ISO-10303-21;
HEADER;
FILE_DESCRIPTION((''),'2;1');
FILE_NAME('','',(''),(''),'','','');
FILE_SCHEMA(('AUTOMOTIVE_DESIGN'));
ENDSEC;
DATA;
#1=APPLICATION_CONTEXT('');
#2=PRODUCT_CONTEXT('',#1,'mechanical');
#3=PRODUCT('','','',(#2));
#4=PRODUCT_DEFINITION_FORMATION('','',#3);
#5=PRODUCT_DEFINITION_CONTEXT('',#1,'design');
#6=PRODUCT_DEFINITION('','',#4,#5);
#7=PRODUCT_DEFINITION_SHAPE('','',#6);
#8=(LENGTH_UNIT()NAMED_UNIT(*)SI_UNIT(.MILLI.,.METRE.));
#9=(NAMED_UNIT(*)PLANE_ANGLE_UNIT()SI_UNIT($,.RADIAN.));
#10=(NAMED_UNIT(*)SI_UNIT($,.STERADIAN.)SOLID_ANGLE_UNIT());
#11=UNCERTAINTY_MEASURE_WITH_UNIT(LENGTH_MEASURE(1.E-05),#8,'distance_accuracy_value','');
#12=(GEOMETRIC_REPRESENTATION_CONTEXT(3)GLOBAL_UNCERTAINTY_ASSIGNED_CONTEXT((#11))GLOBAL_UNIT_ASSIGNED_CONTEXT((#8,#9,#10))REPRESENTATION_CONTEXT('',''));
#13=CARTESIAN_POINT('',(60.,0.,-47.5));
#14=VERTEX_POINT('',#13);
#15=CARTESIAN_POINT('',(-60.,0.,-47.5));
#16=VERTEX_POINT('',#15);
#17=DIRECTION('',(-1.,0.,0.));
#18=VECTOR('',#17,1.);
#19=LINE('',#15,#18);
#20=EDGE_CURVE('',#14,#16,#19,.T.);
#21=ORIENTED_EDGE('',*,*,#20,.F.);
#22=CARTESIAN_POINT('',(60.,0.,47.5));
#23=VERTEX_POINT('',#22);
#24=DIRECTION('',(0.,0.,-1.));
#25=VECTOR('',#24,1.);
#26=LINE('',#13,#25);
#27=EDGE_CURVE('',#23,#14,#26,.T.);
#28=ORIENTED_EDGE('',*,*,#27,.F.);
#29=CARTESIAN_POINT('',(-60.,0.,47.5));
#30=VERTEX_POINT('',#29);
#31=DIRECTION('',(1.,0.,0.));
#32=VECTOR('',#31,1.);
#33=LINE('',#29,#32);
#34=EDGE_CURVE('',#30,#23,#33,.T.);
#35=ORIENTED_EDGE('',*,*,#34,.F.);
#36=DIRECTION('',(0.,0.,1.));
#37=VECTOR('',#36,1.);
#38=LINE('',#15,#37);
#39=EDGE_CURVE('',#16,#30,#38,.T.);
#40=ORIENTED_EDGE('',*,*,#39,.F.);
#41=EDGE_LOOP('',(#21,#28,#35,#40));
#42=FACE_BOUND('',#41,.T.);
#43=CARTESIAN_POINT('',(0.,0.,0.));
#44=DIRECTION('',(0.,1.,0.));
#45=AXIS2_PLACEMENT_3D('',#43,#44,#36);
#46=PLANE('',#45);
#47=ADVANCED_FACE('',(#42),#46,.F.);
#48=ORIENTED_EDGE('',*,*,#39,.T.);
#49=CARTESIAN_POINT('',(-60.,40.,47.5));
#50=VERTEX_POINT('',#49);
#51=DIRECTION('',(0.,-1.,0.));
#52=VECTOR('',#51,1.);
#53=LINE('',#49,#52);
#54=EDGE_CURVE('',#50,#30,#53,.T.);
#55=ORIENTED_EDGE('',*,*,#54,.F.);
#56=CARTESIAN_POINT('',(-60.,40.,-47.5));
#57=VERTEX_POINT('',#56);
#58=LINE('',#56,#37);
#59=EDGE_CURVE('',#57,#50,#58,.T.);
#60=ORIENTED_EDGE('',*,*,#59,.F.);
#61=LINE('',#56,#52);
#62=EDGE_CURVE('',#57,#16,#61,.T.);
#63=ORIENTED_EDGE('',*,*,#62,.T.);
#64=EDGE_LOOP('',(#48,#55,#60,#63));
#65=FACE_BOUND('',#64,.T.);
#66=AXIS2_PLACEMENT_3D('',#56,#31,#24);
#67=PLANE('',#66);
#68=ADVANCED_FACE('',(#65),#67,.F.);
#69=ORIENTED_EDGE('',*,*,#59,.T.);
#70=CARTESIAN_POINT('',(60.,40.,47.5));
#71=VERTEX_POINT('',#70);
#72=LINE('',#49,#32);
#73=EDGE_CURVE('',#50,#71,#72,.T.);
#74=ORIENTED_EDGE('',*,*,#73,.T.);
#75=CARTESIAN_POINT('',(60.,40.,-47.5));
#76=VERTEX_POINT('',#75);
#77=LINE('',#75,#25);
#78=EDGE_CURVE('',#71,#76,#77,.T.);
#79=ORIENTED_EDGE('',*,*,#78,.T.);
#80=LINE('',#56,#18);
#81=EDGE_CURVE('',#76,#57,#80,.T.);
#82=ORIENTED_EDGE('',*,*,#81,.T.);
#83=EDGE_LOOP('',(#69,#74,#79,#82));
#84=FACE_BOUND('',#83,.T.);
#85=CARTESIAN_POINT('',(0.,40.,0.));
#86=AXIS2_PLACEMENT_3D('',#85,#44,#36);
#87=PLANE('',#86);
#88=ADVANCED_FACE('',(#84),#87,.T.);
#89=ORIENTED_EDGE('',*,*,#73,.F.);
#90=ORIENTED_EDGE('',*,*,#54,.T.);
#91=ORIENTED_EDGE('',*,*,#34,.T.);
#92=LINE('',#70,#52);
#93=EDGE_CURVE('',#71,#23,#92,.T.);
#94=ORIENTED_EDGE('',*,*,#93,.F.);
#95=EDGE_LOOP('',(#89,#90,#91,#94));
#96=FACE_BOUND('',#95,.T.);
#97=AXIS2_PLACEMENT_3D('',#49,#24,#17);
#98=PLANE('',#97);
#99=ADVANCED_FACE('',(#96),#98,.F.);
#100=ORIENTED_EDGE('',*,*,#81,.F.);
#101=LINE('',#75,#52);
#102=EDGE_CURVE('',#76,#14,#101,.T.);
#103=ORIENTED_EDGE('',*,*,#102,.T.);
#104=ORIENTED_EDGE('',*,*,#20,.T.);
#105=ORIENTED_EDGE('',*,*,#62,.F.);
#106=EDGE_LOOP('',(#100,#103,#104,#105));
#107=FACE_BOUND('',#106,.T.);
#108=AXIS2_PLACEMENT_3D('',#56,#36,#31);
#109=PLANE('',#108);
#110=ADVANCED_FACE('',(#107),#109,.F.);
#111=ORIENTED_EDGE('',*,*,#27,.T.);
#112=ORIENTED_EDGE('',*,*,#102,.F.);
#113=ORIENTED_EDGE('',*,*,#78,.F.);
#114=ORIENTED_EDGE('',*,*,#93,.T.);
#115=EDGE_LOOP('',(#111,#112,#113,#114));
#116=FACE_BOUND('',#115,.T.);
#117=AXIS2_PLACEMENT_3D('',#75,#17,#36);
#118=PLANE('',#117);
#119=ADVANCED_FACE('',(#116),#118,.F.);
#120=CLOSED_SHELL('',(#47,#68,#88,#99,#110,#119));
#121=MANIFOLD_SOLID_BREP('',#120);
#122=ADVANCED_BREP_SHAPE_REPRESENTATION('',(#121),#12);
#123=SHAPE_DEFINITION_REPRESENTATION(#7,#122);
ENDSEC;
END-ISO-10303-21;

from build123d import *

# Parameters (mm, degrees)
SK_ENVELOPE_W     = 120
SK_ENVELOPE_H     = 95
EX_ENVELOPE_DEPTH = 40


with BuildPart() as part:
    # SK_Envelope → EX_Envelope (new body)
    with BuildSketch(Plane(origin=(0, 0, 0), x_dir=(1, 0, 0), z_dir=(0, 1, 0))):
        Rectangle(SK_ENVELOPE_W, SK_ENVELOPE_H)
    extrude(amount=EX_ENVELOPE_DEPTH)


solid = part.part
